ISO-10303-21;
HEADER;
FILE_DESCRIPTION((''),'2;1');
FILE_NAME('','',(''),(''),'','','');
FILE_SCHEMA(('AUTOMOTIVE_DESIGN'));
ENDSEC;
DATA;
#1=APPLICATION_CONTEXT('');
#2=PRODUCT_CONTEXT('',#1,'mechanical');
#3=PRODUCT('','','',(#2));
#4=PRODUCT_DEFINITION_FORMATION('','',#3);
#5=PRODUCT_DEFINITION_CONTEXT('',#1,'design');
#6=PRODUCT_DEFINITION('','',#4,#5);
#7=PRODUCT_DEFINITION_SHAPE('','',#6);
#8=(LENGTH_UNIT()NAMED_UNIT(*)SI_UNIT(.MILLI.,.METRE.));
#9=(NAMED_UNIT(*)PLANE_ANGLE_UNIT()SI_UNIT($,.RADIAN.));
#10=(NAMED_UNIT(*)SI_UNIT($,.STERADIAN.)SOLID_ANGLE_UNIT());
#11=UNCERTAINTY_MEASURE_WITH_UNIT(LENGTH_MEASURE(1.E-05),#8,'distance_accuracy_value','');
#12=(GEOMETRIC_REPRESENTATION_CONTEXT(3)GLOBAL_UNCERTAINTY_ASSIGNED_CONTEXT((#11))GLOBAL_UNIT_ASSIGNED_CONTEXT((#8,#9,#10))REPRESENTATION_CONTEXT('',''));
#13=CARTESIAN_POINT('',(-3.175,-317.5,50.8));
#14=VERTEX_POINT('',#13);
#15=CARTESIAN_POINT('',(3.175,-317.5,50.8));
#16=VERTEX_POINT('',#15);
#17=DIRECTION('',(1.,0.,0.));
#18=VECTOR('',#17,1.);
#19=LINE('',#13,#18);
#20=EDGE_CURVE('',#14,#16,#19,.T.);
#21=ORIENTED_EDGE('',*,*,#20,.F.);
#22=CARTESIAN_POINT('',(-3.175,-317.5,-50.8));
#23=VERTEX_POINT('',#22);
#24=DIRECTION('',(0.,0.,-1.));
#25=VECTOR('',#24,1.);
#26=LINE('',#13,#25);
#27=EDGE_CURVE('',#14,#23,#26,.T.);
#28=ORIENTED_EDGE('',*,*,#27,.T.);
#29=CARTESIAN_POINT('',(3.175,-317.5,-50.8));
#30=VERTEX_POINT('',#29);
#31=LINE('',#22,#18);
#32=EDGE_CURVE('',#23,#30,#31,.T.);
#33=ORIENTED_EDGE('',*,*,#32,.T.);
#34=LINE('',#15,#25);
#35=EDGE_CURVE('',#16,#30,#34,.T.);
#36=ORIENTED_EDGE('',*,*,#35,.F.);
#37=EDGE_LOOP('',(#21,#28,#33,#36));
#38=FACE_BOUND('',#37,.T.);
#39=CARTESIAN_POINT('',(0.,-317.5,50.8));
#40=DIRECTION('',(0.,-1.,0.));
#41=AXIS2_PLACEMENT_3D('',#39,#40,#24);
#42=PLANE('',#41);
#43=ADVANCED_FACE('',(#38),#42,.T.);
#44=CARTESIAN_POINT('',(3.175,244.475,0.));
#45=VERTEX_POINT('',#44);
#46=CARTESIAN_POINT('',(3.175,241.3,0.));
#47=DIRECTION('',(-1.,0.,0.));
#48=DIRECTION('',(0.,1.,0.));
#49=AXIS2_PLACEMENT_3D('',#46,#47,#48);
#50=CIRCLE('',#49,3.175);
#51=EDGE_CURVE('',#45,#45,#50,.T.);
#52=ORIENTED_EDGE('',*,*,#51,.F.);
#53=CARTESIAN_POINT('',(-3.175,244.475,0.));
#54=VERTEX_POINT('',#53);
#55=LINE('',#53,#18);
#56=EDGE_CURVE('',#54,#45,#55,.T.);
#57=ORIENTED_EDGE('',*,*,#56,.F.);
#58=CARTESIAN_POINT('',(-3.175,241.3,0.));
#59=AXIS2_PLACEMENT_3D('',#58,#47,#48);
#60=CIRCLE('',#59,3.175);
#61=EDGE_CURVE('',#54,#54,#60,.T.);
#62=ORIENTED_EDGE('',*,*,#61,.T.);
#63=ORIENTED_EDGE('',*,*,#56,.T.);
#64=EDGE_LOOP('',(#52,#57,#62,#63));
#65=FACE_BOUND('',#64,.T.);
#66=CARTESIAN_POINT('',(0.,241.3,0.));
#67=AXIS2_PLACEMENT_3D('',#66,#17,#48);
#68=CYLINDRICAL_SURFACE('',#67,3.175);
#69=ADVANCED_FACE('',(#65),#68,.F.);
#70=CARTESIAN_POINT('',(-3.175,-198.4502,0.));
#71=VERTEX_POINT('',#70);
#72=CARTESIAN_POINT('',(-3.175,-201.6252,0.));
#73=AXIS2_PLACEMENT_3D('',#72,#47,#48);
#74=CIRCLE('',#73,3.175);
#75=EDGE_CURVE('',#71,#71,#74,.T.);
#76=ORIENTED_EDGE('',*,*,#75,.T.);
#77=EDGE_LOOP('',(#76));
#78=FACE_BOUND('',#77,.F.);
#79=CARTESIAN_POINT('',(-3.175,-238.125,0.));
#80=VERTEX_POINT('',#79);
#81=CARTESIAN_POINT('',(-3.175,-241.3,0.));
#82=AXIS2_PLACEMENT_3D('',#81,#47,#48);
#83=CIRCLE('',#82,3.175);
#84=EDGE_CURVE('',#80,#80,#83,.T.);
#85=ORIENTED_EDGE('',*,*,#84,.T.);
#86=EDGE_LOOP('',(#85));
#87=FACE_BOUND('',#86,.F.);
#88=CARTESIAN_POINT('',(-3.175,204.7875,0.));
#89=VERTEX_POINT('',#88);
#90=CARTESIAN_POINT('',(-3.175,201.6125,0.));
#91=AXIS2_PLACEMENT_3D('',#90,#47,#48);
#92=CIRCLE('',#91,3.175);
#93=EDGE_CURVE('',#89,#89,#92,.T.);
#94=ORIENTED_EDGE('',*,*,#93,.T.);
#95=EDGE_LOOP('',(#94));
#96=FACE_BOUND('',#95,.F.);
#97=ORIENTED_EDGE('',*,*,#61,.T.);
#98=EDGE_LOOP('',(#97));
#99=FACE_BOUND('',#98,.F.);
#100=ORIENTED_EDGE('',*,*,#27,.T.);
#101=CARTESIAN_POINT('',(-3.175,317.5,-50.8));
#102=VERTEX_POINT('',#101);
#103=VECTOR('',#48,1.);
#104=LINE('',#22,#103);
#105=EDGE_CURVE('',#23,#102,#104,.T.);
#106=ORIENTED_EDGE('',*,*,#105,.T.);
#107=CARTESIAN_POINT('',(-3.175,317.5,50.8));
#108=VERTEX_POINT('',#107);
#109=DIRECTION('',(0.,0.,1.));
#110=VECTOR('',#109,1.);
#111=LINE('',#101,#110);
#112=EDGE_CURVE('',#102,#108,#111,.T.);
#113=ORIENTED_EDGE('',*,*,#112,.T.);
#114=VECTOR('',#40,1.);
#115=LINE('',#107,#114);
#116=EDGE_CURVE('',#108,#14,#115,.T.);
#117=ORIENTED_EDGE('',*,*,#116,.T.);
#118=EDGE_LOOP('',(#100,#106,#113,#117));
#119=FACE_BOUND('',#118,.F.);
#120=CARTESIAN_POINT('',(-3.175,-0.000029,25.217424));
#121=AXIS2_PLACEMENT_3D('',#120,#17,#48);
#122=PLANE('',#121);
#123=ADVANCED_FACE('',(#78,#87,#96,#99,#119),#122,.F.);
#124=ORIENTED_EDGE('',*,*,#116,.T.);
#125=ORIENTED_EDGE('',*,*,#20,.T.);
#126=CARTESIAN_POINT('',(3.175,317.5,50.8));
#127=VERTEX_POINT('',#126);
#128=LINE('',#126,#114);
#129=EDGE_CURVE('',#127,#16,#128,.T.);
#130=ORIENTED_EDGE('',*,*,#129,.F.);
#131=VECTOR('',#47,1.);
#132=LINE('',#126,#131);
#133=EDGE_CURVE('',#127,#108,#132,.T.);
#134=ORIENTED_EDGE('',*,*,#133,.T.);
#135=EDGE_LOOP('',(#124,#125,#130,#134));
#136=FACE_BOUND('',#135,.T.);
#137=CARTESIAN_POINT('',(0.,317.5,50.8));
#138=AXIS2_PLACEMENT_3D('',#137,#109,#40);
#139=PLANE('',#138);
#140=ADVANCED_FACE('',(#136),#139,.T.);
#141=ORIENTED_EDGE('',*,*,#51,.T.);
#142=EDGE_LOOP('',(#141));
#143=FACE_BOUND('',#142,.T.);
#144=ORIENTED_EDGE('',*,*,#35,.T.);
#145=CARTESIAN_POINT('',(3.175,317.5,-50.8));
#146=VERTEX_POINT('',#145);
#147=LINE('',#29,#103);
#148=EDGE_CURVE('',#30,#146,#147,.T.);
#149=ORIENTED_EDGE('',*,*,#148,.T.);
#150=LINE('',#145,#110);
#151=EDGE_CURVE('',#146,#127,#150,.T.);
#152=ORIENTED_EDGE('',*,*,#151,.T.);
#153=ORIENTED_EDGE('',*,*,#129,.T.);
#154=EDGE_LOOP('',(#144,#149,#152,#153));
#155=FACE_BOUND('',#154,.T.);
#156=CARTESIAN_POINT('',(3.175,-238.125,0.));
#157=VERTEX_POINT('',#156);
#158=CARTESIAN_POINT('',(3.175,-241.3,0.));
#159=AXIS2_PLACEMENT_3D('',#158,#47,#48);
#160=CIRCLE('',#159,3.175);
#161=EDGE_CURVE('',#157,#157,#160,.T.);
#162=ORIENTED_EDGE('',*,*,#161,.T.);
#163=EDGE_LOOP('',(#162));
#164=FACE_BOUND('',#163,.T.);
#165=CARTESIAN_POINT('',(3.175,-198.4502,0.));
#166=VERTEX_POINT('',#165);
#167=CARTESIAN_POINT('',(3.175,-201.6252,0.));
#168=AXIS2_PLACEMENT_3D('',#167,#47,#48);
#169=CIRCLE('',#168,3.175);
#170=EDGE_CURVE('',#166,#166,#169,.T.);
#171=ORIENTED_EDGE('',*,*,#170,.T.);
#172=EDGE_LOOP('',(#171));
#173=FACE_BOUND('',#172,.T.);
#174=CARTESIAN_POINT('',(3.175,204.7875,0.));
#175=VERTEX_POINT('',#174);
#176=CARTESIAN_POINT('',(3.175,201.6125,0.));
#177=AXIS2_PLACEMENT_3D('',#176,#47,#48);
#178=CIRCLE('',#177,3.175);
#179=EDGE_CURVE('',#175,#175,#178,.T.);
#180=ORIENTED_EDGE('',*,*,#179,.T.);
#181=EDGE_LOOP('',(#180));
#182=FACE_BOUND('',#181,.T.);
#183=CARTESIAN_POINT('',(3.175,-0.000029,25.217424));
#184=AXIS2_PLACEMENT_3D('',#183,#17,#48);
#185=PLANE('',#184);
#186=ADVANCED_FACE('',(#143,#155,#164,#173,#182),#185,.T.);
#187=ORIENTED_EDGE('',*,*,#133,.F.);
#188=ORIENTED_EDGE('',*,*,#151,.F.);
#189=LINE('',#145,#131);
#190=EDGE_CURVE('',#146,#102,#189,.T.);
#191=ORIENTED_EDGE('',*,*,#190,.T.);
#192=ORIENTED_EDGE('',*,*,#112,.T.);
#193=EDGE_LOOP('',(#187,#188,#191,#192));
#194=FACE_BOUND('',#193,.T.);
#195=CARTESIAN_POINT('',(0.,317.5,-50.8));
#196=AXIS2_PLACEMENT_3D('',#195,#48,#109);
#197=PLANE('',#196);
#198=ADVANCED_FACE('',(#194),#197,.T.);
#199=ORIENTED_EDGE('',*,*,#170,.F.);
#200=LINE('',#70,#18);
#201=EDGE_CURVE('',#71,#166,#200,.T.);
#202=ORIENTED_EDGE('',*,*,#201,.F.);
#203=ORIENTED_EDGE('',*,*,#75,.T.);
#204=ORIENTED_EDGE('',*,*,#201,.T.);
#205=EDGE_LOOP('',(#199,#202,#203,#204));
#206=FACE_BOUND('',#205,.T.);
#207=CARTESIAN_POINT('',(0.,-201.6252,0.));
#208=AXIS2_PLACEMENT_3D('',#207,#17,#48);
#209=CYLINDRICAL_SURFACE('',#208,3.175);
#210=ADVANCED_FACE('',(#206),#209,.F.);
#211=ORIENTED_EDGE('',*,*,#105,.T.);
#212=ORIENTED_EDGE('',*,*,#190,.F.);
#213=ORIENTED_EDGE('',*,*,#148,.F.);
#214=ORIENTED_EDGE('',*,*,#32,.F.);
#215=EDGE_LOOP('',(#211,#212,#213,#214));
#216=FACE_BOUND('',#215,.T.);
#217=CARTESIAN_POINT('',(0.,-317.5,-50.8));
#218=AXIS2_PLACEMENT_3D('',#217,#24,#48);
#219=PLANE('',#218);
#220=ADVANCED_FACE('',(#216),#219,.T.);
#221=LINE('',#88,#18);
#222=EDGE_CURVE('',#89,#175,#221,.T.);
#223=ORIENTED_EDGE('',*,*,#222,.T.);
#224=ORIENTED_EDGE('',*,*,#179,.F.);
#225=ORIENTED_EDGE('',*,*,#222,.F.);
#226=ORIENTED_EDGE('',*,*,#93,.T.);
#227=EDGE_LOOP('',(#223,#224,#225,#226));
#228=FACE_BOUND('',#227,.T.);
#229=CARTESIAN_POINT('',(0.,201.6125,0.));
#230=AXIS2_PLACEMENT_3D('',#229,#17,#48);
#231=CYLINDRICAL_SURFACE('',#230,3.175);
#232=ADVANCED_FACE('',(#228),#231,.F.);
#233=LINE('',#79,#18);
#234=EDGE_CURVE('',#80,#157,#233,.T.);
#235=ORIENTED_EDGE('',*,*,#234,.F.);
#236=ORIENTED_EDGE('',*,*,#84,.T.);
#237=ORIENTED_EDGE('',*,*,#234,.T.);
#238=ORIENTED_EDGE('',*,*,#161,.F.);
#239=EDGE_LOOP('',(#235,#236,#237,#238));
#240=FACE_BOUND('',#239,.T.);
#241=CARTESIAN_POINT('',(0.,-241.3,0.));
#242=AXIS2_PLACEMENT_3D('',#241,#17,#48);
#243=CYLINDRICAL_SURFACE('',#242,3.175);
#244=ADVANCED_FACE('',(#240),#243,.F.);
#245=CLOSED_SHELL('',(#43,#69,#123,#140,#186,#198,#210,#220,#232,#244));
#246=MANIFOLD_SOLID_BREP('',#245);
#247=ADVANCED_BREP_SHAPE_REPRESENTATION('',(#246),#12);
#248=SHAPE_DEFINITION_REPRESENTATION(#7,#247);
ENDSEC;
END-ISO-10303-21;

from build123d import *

# Parameters (mm, degrees)
F1_DEPTH = 3.175


with BuildPart() as f1:
    # F0 (on Right) → F1 (new body, symmetric)
    with BuildSketch(Plane.YZ):
        with BuildLine():
            Line((317.5, 0), (317.5, 50.8))
            Line((317.5, 50.8), (-317.5, 50.8))
            Line((-317.5, 50.8), (-317.5, 0))
            Line((-317.5, 0), (-244.475, 0))
            ThreePointArc((-244.475, 0), (-241.3, 3.175), (-238.125, 0))
            Line((-238.125, 0), (-204.8002, 0))
            ThreePointArc((-204.8002, 0), (-201.6252, 3.175), (-198.4502, 0))
            Line((-198.4502, 0), (0, 0))
            Line((0, 0), (198.4375, 0))
            ThreePointArc((198.4375, 0), (201.6125, 3.175), (204.7875, 0))
            Line((204.7875, 0), (238.125, 0))
            ThreePointArc((238.125, 0), (241.3, 3.175), (244.475, 0))
            Line((244.475, 0), (317.5, 0))
        make_face()
        with BuildLine():
            Line((317.5, -50.8), (317.5, 0))
            Line((317.5, 0), (244.475, 0))
            ThreePointArc((244.475, 0), (241.3, -3.175), (238.125, 0))
            Line((238.125, 0), (204.7875, 0))
            ThreePointArc((204.7875, 0), (201.6125, -3.175), (198.4375, 0))
            Line((198.4375, 0), (0, 0))
            Line((0, 0), (-198.4502, 0))
            ThreePointArc((-198.4502, 0), (-201.6252, -3.175), (-204.8002, 0))
            Line((-204.8002, 0), (-238.125, 0))
            ThreePointArc((-238.125, 0), (-241.3, -3.175), (-244.475, 0))
            Line((-244.475, 0), (-317.5, 0))
            Line((-317.5, 0), (-317.5, -50.8))
            Line((-317.5, -50.8), (317.5, -50.8))
        make_face()
    extrude(amount=F1_DEPTH, both=True)


solid = f1.part
